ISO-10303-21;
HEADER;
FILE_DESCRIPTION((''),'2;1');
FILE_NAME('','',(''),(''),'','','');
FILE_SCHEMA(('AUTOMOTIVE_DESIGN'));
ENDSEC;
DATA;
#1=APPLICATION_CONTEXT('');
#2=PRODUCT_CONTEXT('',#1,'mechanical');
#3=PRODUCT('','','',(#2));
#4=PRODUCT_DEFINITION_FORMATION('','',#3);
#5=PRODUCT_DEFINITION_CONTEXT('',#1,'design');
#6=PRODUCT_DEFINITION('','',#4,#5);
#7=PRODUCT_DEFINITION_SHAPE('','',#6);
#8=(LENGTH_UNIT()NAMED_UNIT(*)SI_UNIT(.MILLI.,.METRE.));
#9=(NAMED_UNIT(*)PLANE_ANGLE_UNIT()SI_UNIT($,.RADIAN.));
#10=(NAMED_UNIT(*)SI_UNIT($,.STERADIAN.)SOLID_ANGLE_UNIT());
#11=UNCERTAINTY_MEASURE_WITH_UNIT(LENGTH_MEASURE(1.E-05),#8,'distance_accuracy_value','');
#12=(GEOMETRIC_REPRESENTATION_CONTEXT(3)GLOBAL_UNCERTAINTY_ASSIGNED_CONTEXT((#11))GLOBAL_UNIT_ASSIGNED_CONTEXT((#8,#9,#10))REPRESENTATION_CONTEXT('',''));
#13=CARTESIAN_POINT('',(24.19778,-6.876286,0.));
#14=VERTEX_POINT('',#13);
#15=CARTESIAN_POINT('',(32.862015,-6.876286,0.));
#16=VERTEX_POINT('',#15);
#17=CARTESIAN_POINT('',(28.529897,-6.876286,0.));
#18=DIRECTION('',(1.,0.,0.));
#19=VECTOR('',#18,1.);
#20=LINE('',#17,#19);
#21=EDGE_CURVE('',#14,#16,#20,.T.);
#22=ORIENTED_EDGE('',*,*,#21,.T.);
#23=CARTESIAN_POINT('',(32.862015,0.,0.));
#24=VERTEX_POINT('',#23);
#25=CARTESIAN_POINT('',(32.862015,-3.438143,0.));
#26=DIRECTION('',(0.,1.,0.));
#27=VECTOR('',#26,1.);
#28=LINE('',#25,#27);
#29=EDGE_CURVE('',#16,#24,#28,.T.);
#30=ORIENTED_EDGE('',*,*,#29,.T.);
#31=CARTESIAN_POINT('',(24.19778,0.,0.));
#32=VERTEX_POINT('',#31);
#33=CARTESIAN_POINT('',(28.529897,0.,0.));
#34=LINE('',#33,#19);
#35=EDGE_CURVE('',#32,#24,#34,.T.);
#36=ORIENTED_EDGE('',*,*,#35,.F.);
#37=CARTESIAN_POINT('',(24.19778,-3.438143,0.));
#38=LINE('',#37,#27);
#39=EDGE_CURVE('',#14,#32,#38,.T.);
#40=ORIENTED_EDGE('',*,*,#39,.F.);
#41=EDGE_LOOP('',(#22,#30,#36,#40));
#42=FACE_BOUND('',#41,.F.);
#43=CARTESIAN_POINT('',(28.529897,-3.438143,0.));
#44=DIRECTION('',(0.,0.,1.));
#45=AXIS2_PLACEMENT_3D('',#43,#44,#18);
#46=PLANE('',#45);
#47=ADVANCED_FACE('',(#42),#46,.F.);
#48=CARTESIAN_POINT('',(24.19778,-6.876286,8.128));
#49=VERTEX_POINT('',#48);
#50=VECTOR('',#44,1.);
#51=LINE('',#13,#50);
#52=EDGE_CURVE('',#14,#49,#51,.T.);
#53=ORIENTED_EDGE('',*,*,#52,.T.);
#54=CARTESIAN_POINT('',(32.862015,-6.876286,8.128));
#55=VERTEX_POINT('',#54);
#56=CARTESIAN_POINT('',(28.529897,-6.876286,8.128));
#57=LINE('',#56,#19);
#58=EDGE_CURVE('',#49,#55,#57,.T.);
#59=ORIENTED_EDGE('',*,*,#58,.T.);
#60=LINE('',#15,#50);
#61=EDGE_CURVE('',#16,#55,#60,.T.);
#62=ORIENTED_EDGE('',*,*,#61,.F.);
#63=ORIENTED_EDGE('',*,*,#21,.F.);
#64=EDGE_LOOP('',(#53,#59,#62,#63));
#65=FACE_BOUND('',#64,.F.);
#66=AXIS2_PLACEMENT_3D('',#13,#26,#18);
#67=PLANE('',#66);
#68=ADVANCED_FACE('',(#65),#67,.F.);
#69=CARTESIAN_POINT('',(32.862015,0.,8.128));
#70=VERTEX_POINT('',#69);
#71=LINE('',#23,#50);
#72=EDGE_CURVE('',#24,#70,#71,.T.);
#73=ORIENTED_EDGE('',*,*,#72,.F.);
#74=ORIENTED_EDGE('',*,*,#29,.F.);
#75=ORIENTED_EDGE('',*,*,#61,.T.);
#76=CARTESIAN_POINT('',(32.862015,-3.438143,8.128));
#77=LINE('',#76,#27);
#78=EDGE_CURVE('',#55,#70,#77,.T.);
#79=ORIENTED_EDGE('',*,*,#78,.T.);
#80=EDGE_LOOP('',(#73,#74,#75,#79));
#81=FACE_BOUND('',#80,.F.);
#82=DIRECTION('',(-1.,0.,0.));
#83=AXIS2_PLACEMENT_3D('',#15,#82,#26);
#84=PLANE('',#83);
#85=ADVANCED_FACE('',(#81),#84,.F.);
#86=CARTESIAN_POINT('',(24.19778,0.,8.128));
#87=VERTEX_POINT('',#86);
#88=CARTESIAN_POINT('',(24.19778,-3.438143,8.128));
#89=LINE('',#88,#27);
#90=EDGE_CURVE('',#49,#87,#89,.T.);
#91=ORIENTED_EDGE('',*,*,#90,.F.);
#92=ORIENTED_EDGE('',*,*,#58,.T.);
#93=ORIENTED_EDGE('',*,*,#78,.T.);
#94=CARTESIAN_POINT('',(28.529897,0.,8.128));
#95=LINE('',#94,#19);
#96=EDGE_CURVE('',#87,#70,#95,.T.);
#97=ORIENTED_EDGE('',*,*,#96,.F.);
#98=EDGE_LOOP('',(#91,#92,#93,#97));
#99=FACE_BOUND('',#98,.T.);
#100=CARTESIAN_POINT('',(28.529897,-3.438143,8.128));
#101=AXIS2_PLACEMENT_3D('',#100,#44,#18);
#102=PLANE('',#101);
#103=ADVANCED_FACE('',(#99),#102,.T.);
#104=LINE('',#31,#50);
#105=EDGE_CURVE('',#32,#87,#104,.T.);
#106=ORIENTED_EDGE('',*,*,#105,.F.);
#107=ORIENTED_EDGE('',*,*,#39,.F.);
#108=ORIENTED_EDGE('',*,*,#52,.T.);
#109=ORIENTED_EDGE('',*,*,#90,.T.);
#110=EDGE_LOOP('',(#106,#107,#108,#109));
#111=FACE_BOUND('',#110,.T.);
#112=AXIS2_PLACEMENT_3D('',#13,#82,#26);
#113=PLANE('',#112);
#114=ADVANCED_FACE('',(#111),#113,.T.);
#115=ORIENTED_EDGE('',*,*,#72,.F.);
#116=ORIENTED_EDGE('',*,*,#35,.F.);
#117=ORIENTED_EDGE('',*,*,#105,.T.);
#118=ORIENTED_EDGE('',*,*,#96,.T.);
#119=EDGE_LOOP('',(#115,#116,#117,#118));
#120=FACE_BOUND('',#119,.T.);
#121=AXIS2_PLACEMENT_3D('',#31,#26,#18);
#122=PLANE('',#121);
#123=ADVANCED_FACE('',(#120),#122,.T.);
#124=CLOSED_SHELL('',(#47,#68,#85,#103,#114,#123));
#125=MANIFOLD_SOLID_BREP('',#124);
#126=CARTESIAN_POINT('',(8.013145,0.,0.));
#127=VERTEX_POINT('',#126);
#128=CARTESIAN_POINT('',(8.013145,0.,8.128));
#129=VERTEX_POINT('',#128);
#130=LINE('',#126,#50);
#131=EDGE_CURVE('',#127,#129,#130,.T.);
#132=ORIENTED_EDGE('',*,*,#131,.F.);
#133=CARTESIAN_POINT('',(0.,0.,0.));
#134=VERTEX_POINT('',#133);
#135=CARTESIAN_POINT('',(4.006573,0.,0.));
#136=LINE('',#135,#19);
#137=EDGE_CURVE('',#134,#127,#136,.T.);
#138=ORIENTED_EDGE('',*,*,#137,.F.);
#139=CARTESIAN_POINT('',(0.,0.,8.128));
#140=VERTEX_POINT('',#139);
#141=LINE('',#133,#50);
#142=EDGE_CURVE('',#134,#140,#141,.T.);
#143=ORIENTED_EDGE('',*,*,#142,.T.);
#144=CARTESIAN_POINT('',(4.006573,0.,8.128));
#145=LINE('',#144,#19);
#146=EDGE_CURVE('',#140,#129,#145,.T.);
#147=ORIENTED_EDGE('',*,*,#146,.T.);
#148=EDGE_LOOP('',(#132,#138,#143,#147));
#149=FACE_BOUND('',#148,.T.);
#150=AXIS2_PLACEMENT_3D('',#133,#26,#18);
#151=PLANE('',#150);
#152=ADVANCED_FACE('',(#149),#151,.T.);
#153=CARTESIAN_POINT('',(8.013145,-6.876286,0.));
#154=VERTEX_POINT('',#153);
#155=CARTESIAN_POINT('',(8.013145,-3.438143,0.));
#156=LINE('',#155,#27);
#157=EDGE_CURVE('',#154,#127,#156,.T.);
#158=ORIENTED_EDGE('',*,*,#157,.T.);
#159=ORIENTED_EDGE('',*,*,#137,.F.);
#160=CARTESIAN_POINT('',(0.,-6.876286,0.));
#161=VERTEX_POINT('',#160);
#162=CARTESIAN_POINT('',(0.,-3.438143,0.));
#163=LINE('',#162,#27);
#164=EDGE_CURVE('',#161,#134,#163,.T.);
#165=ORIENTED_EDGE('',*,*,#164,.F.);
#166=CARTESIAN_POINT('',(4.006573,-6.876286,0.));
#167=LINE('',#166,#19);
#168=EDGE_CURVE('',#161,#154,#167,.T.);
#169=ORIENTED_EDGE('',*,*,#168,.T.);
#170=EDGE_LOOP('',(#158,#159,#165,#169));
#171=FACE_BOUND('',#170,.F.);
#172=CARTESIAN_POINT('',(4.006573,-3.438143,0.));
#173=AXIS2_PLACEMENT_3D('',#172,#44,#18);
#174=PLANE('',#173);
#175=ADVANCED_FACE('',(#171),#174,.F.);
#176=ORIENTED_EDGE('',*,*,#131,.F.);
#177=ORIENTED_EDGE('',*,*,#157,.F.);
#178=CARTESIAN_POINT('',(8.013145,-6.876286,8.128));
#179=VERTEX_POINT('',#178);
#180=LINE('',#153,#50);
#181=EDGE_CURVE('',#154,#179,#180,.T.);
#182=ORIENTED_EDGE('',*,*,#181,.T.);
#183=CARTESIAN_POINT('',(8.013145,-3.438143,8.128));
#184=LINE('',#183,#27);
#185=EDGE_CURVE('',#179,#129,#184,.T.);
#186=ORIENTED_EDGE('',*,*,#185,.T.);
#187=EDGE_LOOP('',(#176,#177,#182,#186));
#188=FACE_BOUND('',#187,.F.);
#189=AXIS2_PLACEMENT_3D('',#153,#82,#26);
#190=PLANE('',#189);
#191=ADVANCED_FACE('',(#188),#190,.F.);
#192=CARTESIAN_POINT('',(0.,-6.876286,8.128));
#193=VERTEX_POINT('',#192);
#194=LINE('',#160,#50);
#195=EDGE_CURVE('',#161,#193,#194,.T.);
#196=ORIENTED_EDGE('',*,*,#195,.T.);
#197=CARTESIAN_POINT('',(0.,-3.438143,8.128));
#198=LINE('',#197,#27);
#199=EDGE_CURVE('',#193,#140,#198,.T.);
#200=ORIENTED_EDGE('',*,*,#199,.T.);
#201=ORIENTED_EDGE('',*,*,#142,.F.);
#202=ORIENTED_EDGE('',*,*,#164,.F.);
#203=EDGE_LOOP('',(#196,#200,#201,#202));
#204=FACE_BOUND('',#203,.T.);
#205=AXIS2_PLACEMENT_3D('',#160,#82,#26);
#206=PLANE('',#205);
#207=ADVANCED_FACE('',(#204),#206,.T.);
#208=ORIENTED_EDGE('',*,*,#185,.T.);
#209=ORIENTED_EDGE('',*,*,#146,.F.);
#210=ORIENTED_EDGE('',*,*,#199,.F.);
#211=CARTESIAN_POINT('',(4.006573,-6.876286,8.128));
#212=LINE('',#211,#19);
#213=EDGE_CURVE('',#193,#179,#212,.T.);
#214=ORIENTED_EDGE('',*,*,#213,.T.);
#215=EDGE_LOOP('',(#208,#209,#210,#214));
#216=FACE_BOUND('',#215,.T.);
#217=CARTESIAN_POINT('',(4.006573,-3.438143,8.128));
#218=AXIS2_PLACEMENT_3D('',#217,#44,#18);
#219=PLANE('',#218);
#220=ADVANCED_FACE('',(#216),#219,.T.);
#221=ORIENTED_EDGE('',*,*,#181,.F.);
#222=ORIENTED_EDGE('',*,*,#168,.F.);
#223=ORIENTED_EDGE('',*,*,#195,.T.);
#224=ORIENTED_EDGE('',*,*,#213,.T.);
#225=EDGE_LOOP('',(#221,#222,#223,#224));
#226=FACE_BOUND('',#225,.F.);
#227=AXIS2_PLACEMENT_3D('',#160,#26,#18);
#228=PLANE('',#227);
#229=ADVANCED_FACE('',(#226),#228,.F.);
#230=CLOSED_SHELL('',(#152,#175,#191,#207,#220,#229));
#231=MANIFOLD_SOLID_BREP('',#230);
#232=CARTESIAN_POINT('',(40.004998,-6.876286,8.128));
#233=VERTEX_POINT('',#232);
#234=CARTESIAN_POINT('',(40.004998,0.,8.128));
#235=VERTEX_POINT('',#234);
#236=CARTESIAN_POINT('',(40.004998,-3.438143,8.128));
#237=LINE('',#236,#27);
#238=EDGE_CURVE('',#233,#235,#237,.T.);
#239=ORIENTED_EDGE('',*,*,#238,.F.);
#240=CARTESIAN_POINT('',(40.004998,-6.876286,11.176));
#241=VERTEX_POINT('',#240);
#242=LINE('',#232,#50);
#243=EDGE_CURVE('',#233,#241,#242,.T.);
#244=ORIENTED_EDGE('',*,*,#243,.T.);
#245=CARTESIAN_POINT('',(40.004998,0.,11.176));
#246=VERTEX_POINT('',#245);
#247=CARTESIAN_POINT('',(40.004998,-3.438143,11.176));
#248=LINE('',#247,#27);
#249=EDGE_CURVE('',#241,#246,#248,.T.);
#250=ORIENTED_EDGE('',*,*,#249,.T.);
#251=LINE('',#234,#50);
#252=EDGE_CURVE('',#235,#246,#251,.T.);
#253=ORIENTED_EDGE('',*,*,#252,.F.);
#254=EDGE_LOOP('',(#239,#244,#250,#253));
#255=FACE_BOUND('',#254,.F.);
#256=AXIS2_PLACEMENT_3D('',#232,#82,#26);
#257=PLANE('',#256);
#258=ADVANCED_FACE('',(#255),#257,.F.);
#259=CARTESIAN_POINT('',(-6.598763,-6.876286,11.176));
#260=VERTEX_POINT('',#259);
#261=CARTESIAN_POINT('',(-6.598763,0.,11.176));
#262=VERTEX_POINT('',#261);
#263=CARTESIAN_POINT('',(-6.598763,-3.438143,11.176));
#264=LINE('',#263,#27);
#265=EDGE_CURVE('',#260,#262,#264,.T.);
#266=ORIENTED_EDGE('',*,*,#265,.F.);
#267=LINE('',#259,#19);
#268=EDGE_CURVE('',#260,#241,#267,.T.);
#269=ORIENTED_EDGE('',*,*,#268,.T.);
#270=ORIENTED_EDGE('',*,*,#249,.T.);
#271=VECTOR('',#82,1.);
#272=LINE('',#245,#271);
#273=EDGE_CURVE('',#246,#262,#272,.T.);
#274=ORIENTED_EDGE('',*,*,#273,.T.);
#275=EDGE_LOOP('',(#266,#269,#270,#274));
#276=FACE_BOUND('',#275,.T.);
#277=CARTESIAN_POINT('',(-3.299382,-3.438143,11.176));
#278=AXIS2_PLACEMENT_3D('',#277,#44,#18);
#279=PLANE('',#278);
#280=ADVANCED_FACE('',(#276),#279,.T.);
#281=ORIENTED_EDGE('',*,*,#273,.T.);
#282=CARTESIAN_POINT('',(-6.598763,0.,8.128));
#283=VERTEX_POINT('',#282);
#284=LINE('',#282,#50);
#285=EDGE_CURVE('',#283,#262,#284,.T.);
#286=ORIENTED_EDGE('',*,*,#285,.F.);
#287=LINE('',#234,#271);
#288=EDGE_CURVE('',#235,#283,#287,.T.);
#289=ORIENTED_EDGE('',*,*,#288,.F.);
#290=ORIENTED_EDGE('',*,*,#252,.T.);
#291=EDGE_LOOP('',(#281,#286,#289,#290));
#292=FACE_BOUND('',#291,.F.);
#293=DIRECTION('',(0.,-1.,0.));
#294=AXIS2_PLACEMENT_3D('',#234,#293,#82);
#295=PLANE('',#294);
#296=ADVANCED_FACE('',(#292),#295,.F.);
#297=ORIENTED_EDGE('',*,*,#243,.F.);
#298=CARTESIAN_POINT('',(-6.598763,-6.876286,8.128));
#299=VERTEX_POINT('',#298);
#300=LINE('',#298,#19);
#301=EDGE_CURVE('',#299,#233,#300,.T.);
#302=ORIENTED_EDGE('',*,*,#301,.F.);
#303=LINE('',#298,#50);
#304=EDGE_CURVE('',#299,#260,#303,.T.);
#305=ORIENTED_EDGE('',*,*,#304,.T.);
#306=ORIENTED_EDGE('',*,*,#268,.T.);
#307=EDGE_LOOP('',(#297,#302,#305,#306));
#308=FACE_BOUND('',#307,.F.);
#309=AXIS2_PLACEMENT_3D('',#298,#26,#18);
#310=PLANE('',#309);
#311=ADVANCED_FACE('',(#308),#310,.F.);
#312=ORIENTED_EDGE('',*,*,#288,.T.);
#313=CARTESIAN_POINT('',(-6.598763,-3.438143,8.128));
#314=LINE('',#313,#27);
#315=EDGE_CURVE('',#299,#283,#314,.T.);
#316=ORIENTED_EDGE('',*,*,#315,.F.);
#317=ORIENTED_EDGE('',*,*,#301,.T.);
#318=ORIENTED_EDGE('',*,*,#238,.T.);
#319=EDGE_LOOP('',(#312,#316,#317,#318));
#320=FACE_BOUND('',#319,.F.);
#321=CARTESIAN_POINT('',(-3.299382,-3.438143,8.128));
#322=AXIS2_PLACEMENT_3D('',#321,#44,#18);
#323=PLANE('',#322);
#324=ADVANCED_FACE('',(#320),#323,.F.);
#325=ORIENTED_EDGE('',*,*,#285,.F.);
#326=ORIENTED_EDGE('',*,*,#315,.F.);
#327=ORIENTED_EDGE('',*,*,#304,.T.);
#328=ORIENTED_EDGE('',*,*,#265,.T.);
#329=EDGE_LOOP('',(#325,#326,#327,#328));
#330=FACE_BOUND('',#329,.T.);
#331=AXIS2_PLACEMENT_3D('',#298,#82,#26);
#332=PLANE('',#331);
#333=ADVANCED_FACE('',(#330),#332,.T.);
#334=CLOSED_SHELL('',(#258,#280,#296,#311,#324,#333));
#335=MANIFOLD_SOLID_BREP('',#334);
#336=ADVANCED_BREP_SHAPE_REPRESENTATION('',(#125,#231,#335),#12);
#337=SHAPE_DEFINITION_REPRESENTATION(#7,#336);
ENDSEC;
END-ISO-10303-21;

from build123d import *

# Parameters (mm, degrees)
F0_W     = 8.0131450668
F0_H     = 6.8762861192
F1_DEPTH = 8.128
F0_W_2   = 8.6642354727
F2_W     = 6.5987631679
F2_H     = 6.8762861192
F2_W_2   = 31.9918533787
F2_W_3   = 8.0131450668
F3_DEPTH = 3.048


with BuildPart() as f1:
    # F0 (on Top) → F1 (new body)
    with BuildSketch(Plane.XY):
        with Locations((4.0065725334, -3.4381430596)):
            Rectangle(F0_W, F0_H)
    extrude(amount=F1_DEPTH)


with BuildPart() as f1b:
    # F0 (on Top) → F1, piece 2 (new body)
    with BuildSketch(Plane.XY):
        with Locations((28.5298973322, -3.4381430596)):
            Rectangle(F0_W_2, F0_H)
    extrude(amount=F1_DEPTH)


with BuildPart() as f3:
    # F2 (on face) → F3 (new body)
    with BuildSketch(Plane.XY.offset(8.128)):
        with Locations((-3.2993815839, -3.4381430596)):
            Rectangle(F2_W, F2_H)
        with Locations((24.0090717562, -3.4381430596)):
            Rectangle(F2_W_2, F2_H)
        with Locations((4.0065725334, -3.4381430596)):
            Rectangle(F2_W_3, F2_H)
    extrude(amount=F3_DEPTH)


solid = Compound([f1.part, f1b.part, f3.part])
